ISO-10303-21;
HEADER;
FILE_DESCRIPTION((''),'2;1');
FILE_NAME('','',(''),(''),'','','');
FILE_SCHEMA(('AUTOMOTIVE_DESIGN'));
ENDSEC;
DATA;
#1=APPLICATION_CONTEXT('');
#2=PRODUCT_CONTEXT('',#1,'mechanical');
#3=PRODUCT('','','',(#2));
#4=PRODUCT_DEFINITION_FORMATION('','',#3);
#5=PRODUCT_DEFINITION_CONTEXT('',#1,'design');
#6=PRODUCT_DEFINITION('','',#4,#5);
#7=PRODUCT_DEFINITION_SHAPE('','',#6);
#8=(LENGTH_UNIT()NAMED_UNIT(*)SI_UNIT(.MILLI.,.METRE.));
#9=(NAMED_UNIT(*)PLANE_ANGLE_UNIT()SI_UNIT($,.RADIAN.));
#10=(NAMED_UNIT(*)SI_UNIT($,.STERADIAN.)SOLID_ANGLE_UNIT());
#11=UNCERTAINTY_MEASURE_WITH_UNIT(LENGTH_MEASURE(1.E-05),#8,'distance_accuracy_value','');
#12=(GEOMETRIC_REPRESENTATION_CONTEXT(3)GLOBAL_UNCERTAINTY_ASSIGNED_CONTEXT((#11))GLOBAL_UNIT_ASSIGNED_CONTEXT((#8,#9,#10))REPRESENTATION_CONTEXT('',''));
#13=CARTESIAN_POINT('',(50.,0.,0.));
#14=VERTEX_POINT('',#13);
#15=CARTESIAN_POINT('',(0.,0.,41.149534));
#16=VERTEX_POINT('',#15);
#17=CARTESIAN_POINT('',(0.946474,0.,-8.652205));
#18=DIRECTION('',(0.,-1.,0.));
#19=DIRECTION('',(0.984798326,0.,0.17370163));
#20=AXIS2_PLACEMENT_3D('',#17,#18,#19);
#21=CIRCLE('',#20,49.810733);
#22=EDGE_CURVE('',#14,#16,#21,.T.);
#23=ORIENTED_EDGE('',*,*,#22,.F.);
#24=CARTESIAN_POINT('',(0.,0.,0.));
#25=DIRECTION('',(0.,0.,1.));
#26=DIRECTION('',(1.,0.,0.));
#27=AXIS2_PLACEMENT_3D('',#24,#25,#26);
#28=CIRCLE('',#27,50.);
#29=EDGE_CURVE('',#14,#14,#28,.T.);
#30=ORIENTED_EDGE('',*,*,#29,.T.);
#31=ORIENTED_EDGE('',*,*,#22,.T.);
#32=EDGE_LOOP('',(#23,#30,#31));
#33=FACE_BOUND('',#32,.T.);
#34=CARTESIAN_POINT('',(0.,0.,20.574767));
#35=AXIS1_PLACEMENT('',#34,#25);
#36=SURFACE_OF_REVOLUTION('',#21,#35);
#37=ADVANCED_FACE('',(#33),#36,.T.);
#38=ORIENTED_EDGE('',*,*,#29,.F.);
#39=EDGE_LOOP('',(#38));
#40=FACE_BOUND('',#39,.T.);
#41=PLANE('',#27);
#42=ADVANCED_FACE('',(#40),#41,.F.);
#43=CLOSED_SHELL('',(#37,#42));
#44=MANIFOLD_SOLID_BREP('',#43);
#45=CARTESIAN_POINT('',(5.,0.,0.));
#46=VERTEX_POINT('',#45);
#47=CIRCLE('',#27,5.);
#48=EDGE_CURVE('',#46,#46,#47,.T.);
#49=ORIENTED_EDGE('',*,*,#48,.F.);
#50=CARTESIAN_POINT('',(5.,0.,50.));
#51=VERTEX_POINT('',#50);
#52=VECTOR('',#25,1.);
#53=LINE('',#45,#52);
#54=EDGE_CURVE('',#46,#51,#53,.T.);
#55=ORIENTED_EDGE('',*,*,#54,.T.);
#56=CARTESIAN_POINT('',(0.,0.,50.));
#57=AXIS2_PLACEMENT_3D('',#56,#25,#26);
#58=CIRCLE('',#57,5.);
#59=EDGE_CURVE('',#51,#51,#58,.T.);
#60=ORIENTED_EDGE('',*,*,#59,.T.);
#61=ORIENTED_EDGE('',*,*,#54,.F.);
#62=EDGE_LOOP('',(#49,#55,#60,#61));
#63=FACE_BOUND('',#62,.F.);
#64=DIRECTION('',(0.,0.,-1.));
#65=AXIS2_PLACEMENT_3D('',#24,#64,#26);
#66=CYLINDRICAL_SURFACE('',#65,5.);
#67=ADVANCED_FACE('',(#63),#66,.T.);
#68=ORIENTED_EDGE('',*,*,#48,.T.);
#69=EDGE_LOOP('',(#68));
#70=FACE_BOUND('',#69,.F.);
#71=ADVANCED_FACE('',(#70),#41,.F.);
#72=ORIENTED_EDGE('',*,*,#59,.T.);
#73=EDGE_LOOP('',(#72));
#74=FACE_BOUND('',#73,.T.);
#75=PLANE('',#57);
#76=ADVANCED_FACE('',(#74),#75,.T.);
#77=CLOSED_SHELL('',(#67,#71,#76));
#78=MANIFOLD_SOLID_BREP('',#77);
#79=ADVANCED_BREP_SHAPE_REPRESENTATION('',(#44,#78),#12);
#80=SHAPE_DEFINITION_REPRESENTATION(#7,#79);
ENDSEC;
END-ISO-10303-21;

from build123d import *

# Parameters (mm, degrees)
F2_R     = 5
F3_DEPTH = 50


with BuildPart() as f1:
    # F0 (on Front) → F1 (revolve)
    with BuildSketch(Plane.XZ):
        with BuildLine():
            Line((0, 41.1495342851), (0, 0))
            Line((0, 0), (50, 0))
            ThreePointArc((50, 0), (32.5991698206, 29.8083708183), (0, 41.1495342851))
        make_face()
        with BuildLine():
            add(Edge.make_bspline(
                [(4.6960054897, 16.3427684456), (3.6378878565, 15.9159998467), (2.1175022142, 15.6517025184), (1.4238375436, 13.00356651), (2.4801311784, 8.4661375474), (3.5896369268, 11.1394726569), (3.9441401502, 13.7571015318), (7.3483378183, 12.9063429372), (7.0077969144, 15.7482875333), (8.4815055483, 15.9804629857), (8.7143368316, 18.366311168), (5.9880585004, 16.8638897612), (4.6960054897, 16.3427684456)],
                knots=[0, 0, 0, 0, 0.1065349886, 0.2148656358, 0.3369150584, 0.4225045817, 0.5261627859, 0.6288065838, 0.7223931964, 0.7968449993, 0.8699115784, 1, 1, 1, 1], degree=3))
        make_face(mode=Mode.SUBTRACT)
        with BuildLine():
            add(Edge.make_bspline(
                [(34.5319509506, 8.5497973487), (34.3217764958, 7.3373437649), (34.0514132633, 5.3218949093), (37.9681560329, 6.4821891071), (38.2195952532, 1.338415249), (39.420774383, 5.6915482649), (39.1167618557, 7.5522915429), (36.7709957872, 6.6098222011), (35.4209503677, 13.136931084), (34.750777133, 9.812160985), (34.5319509506, 8.5497973487)],
                knots=[0, 0, 0, 0, 0.1251815155, 0.2535687643, 0.3818563077, 0.5116399879, 0.6111931839, 0.7107463839, 0.8696654493, 1, 1, 1, 1], degree=3))
        make_face(mode=Mode.SUBTRACT)
        with BuildLine():
            add(Edge.make_bspline(
                [(34.5319509506, 11.5185482427), (35.0391424575, 12.5751984087), (32.0023413439, 13.3828103899), (28.9655402303, 14.190422371), (31.495149837, 12.3261602239), (34.0247594438, 10.4618980768), (34.5319509506, 11.5185482427)],
                knots=[0, 0, 0, 2.0943951024, 2.0943951024, 4.1887902048, 4.1887902048, 6.2831853072, 6.2831853072, 6.2831853072], degree=2, weights=[1, 0.5, 1, 0.5, 1, 0.5, 1]))
        make_face(mode=Mode.SUBTRACT)
        with BuildLine():
            add(Edge.make_bspline(
                [(29.5592918992, 20.4990189523), (29.7841910021, 21.0007142047), (30.6908709775, 23.500671496), (35.195478377, 23.085930719), (34.0799921307, 26.2998552299), (36.9837546629, 21.5479430444), (34.4506085968, 19.3336869687), (31.655769618, 19.7064892792), (28.1122819651, 12.7314519553), (29.2303921475, 19.9913119217), (29.4331429567, 20.2176113133), (29.5592918992, 20.4990189523)],
                knots=[0, 0, 0, 0, 0.1115577828, 0.2379578288, 0.3111895061, 0.4365942397, 0.5460372013, 0.6597103675, 0.7991688986, 0.9374257338, 1, 1, 1, 1], degree=3))
        make_face(mode=Mode.SUBTRACT)
        with BuildLine():
            add(Edge.make_bspline(
                [(6.9967866875, 30.2216783166), (6.6457656122, 30.0211339689), (7.422244072, 27.0744989652), (12.3523880455, 27.7787238212), (11.7281242801, 23.987337683), (13.6287615443, 27.2117798158), (12.915967393, 28.582865066), (10.3349560982, 29.609190697), (9.1937690919, 28.8999523579), (7.3500416522, 30.4234989235), (6.9967866875, 30.2216783166)],
                knots=[0, 0, 0, 0, 0.126943192, 0.2991518049, 0.4096736606, 0.5364763355, 0.6406224897, 0.7740552451, 0.8722489448, 1, 1, 1, 1], degree=3))
        make_face(mode=Mode.SUBTRACT)
        with BuildLine():
            add(Edge.make_bspline(
                [(20.8014789969, 27.6982393116), (20.8934845803, 28.5310393721), (20.6764740293, 30.7846235164), (26.0268449486, 30.2938169983), (25.3779329362, 35.202185222), (28.3424108608, 28.0906290788), (23.4310675679, 28.4953972836), (22.6327604064, 25.7117426776), (20.3457097798, 25.902961725), (20.7272699394, 27.0265267343), (20.8014789969, 27.6982393116)],
                knots=[0, 0, 0, 0, 0.1205219657, 0.2770151886, 0.3876539482, 0.5461066756, 0.687958044, 0.8102617689, 0.9027904487, 1, 1, 1, 1], degree=3))
        make_face(mode=Mode.SUBTRACT)
        with BuildLine():
            add(Edge.make_bspline(
                [(6.5514747985, 37.7177745104), (6.1360547823, 37.506860034), (6.1986823138, 33.7571440485), (10.7400815866, 34.2002742907), (13.0890359371, 31.784063009), (11.274299571, 36.5099408189), (8.4987649929, 35.7597251841), (6.9310138837, 37.9104717429), (6.5514747985, 37.7177745104)],
                knots=[0, 0, 0, 0, 0.1668609926, 0.3738089723, 0.5057231473, 0.681174352, 0.8475512348, 1, 1, 1, 1], degree=3))
        make_face(mode=Mode.SUBTRACT)
        with BuildLine():
            add(Edge.make_bspline(
                [(29.5592918992, 20.4990189523), (29.7841910021, 21.0007142047), (30.6908709775, 23.500671496), (35.195478377, 23.085930719), (34.0799921307, 26.2998552299), (36.9837546629, 21.5479430444), (34.4506085968, 19.3336869687), (31.655769618, 19.7064892792), (28.1122819651, 12.7314519553), (29.2303921475, 19.9913119217), (29.4331429567, 20.2176113133), (29.5592918992, 20.4990189523)],
                knots=[0, 0, 0, 0, 0.1115577828, 0.2379578288, 0.3111895061, 0.4365942397, 0.5460372013, 0.6597103675, 0.7991688986, 0.9374257338, 1, 1, 1, 1], degree=3))
        make_face()
        with BuildLine():
            add(Edge.make_bspline(
                [(4.6960054897, 16.3427684456), (3.6378878565, 15.9159998467), (2.1175022142, 15.6517025184), (1.4238375436, 13.00356651), (2.4801311784, 8.4661375474), (3.5896369268, 11.1394726569), (3.9441401502, 13.7571015318), (7.3483378183, 12.9063429372), (7.0077969144, 15.7482875333), (8.4815055483, 15.9804629857), (8.7143368316, 18.366311168), (5.9880585004, 16.8638897612), (4.6960054897, 16.3427684456)],
                knots=[0, 0, 0, 0, 0.1065349886, 0.2148656358, 0.3369150584, 0.4225045817, 0.5261627859, 0.6288065838, 0.7223931964, 0.7968449993, 0.8699115784, 1, 1, 1, 1], degree=3))
        make_face()
        with BuildLine():
            add(Edge.make_bspline(
                [(20.8014789969, 27.6982393116), (20.8934845803, 28.5310393721), (20.6764740293, 30.7846235164), (26.0268449486, 30.2938169983), (25.3779329362, 35.202185222), (28.3424108608, 28.0906290788), (23.4310675679, 28.4953972836), (22.6327604064, 25.7117426776), (20.3457097798, 25.902961725), (20.7272699394, 27.0265267343), (20.8014789969, 27.6982393116)],
                knots=[0, 0, 0, 0, 0.1205219657, 0.2770151886, 0.3876539482, 0.5461066756, 0.687958044, 0.8102617689, 0.9027904487, 1, 1, 1, 1], degree=3))
        make_face()
        with BuildLine():
            add(Edge.make_bspline(
                [(34.5319509506, 8.5497973487), (34.3217764958, 7.3373437649), (34.0514132633, 5.3218949093), (37.9681560329, 6.4821891071), (38.2195952532, 1.338415249), (39.420774383, 5.6915482649), (39.1167618557, 7.5522915429), (36.7709957872, 6.6098222011), (35.4209503677, 13.136931084), (34.750777133, 9.812160985), (34.5319509506, 8.5497973487)],
                knots=[0, 0, 0, 0, 0.1251815155, 0.2535687643, 0.3818563077, 0.5116399879, 0.6111931839, 0.7107463839, 0.8696654493, 1, 1, 1, 1], degree=3))
        make_face()
        with BuildLine():
            add(Edge.make_bspline(
                [(6.5514747985, 37.7177745104), (6.1360547823, 37.506860034), (6.1986823138, 33.7571440485), (10.7400815866, 34.2002742907), (13.0890359371, 31.784063009), (11.274299571, 36.5099408189), (8.4987649929, 35.7597251841), (6.9310138837, 37.9104717429), (6.5514747985, 37.7177745104)],
                knots=[0, 0, 0, 0, 0.1668609926, 0.3738089723, 0.5057231473, 0.681174352, 0.8475512348, 1, 1, 1, 1], degree=3))
        make_face()
        with BuildLine():
            add(Edge.make_bspline(
                [(6.9967866875, 30.2216783166), (6.6457656122, 30.0211339689), (7.422244072, 27.0744989652), (12.3523880455, 27.7787238212), (11.7281242801, 23.987337683), (13.6287615443, 27.2117798158), (12.915967393, 28.582865066), (10.3349560982, 29.609190697), (9.1937690919, 28.8999523579), (7.3500416522, 30.4234989235), (6.9967866875, 30.2216783166)],
                knots=[0, 0, 0, 0, 0.126943192, 0.2991518049, 0.4096736606, 0.5364763355, 0.6406224897, 0.7740552451, 0.8722489448, 1, 1, 1, 1], degree=3))
        make_face()
        with BuildLine():
            add(Edge.make_bspline(
                [(34.5319509506, 11.5185482427), (35.0391424575, 12.5751984087), (32.0023413439, 13.3828103899), (28.9655402303, 14.190422371), (31.495149837, 12.3261602239), (34.0247594438, 10.4618980768), (34.5319509506, 11.5185482427)],
                knots=[0, 0, 0, 2.0943951024, 2.0943951024, 4.1887902048, 4.1887902048, 6.2831853072, 6.2831853072, 6.2831853072], degree=2, weights=[1, 0.5, 1, 0.5, 1, 0.5, 1]))
        make_face()
    revolve(axis=Axis((0, 0, 20.5747671425), (0, 0, 1)))


with BuildPart() as f3:
    # F2 (on Top) → F3 (new body)
    with BuildSketch(Plane.XY):
        Circle(F2_R)
    extrude(amount=F3_DEPTH)


solid = Compound([f1.part, f3.part])
